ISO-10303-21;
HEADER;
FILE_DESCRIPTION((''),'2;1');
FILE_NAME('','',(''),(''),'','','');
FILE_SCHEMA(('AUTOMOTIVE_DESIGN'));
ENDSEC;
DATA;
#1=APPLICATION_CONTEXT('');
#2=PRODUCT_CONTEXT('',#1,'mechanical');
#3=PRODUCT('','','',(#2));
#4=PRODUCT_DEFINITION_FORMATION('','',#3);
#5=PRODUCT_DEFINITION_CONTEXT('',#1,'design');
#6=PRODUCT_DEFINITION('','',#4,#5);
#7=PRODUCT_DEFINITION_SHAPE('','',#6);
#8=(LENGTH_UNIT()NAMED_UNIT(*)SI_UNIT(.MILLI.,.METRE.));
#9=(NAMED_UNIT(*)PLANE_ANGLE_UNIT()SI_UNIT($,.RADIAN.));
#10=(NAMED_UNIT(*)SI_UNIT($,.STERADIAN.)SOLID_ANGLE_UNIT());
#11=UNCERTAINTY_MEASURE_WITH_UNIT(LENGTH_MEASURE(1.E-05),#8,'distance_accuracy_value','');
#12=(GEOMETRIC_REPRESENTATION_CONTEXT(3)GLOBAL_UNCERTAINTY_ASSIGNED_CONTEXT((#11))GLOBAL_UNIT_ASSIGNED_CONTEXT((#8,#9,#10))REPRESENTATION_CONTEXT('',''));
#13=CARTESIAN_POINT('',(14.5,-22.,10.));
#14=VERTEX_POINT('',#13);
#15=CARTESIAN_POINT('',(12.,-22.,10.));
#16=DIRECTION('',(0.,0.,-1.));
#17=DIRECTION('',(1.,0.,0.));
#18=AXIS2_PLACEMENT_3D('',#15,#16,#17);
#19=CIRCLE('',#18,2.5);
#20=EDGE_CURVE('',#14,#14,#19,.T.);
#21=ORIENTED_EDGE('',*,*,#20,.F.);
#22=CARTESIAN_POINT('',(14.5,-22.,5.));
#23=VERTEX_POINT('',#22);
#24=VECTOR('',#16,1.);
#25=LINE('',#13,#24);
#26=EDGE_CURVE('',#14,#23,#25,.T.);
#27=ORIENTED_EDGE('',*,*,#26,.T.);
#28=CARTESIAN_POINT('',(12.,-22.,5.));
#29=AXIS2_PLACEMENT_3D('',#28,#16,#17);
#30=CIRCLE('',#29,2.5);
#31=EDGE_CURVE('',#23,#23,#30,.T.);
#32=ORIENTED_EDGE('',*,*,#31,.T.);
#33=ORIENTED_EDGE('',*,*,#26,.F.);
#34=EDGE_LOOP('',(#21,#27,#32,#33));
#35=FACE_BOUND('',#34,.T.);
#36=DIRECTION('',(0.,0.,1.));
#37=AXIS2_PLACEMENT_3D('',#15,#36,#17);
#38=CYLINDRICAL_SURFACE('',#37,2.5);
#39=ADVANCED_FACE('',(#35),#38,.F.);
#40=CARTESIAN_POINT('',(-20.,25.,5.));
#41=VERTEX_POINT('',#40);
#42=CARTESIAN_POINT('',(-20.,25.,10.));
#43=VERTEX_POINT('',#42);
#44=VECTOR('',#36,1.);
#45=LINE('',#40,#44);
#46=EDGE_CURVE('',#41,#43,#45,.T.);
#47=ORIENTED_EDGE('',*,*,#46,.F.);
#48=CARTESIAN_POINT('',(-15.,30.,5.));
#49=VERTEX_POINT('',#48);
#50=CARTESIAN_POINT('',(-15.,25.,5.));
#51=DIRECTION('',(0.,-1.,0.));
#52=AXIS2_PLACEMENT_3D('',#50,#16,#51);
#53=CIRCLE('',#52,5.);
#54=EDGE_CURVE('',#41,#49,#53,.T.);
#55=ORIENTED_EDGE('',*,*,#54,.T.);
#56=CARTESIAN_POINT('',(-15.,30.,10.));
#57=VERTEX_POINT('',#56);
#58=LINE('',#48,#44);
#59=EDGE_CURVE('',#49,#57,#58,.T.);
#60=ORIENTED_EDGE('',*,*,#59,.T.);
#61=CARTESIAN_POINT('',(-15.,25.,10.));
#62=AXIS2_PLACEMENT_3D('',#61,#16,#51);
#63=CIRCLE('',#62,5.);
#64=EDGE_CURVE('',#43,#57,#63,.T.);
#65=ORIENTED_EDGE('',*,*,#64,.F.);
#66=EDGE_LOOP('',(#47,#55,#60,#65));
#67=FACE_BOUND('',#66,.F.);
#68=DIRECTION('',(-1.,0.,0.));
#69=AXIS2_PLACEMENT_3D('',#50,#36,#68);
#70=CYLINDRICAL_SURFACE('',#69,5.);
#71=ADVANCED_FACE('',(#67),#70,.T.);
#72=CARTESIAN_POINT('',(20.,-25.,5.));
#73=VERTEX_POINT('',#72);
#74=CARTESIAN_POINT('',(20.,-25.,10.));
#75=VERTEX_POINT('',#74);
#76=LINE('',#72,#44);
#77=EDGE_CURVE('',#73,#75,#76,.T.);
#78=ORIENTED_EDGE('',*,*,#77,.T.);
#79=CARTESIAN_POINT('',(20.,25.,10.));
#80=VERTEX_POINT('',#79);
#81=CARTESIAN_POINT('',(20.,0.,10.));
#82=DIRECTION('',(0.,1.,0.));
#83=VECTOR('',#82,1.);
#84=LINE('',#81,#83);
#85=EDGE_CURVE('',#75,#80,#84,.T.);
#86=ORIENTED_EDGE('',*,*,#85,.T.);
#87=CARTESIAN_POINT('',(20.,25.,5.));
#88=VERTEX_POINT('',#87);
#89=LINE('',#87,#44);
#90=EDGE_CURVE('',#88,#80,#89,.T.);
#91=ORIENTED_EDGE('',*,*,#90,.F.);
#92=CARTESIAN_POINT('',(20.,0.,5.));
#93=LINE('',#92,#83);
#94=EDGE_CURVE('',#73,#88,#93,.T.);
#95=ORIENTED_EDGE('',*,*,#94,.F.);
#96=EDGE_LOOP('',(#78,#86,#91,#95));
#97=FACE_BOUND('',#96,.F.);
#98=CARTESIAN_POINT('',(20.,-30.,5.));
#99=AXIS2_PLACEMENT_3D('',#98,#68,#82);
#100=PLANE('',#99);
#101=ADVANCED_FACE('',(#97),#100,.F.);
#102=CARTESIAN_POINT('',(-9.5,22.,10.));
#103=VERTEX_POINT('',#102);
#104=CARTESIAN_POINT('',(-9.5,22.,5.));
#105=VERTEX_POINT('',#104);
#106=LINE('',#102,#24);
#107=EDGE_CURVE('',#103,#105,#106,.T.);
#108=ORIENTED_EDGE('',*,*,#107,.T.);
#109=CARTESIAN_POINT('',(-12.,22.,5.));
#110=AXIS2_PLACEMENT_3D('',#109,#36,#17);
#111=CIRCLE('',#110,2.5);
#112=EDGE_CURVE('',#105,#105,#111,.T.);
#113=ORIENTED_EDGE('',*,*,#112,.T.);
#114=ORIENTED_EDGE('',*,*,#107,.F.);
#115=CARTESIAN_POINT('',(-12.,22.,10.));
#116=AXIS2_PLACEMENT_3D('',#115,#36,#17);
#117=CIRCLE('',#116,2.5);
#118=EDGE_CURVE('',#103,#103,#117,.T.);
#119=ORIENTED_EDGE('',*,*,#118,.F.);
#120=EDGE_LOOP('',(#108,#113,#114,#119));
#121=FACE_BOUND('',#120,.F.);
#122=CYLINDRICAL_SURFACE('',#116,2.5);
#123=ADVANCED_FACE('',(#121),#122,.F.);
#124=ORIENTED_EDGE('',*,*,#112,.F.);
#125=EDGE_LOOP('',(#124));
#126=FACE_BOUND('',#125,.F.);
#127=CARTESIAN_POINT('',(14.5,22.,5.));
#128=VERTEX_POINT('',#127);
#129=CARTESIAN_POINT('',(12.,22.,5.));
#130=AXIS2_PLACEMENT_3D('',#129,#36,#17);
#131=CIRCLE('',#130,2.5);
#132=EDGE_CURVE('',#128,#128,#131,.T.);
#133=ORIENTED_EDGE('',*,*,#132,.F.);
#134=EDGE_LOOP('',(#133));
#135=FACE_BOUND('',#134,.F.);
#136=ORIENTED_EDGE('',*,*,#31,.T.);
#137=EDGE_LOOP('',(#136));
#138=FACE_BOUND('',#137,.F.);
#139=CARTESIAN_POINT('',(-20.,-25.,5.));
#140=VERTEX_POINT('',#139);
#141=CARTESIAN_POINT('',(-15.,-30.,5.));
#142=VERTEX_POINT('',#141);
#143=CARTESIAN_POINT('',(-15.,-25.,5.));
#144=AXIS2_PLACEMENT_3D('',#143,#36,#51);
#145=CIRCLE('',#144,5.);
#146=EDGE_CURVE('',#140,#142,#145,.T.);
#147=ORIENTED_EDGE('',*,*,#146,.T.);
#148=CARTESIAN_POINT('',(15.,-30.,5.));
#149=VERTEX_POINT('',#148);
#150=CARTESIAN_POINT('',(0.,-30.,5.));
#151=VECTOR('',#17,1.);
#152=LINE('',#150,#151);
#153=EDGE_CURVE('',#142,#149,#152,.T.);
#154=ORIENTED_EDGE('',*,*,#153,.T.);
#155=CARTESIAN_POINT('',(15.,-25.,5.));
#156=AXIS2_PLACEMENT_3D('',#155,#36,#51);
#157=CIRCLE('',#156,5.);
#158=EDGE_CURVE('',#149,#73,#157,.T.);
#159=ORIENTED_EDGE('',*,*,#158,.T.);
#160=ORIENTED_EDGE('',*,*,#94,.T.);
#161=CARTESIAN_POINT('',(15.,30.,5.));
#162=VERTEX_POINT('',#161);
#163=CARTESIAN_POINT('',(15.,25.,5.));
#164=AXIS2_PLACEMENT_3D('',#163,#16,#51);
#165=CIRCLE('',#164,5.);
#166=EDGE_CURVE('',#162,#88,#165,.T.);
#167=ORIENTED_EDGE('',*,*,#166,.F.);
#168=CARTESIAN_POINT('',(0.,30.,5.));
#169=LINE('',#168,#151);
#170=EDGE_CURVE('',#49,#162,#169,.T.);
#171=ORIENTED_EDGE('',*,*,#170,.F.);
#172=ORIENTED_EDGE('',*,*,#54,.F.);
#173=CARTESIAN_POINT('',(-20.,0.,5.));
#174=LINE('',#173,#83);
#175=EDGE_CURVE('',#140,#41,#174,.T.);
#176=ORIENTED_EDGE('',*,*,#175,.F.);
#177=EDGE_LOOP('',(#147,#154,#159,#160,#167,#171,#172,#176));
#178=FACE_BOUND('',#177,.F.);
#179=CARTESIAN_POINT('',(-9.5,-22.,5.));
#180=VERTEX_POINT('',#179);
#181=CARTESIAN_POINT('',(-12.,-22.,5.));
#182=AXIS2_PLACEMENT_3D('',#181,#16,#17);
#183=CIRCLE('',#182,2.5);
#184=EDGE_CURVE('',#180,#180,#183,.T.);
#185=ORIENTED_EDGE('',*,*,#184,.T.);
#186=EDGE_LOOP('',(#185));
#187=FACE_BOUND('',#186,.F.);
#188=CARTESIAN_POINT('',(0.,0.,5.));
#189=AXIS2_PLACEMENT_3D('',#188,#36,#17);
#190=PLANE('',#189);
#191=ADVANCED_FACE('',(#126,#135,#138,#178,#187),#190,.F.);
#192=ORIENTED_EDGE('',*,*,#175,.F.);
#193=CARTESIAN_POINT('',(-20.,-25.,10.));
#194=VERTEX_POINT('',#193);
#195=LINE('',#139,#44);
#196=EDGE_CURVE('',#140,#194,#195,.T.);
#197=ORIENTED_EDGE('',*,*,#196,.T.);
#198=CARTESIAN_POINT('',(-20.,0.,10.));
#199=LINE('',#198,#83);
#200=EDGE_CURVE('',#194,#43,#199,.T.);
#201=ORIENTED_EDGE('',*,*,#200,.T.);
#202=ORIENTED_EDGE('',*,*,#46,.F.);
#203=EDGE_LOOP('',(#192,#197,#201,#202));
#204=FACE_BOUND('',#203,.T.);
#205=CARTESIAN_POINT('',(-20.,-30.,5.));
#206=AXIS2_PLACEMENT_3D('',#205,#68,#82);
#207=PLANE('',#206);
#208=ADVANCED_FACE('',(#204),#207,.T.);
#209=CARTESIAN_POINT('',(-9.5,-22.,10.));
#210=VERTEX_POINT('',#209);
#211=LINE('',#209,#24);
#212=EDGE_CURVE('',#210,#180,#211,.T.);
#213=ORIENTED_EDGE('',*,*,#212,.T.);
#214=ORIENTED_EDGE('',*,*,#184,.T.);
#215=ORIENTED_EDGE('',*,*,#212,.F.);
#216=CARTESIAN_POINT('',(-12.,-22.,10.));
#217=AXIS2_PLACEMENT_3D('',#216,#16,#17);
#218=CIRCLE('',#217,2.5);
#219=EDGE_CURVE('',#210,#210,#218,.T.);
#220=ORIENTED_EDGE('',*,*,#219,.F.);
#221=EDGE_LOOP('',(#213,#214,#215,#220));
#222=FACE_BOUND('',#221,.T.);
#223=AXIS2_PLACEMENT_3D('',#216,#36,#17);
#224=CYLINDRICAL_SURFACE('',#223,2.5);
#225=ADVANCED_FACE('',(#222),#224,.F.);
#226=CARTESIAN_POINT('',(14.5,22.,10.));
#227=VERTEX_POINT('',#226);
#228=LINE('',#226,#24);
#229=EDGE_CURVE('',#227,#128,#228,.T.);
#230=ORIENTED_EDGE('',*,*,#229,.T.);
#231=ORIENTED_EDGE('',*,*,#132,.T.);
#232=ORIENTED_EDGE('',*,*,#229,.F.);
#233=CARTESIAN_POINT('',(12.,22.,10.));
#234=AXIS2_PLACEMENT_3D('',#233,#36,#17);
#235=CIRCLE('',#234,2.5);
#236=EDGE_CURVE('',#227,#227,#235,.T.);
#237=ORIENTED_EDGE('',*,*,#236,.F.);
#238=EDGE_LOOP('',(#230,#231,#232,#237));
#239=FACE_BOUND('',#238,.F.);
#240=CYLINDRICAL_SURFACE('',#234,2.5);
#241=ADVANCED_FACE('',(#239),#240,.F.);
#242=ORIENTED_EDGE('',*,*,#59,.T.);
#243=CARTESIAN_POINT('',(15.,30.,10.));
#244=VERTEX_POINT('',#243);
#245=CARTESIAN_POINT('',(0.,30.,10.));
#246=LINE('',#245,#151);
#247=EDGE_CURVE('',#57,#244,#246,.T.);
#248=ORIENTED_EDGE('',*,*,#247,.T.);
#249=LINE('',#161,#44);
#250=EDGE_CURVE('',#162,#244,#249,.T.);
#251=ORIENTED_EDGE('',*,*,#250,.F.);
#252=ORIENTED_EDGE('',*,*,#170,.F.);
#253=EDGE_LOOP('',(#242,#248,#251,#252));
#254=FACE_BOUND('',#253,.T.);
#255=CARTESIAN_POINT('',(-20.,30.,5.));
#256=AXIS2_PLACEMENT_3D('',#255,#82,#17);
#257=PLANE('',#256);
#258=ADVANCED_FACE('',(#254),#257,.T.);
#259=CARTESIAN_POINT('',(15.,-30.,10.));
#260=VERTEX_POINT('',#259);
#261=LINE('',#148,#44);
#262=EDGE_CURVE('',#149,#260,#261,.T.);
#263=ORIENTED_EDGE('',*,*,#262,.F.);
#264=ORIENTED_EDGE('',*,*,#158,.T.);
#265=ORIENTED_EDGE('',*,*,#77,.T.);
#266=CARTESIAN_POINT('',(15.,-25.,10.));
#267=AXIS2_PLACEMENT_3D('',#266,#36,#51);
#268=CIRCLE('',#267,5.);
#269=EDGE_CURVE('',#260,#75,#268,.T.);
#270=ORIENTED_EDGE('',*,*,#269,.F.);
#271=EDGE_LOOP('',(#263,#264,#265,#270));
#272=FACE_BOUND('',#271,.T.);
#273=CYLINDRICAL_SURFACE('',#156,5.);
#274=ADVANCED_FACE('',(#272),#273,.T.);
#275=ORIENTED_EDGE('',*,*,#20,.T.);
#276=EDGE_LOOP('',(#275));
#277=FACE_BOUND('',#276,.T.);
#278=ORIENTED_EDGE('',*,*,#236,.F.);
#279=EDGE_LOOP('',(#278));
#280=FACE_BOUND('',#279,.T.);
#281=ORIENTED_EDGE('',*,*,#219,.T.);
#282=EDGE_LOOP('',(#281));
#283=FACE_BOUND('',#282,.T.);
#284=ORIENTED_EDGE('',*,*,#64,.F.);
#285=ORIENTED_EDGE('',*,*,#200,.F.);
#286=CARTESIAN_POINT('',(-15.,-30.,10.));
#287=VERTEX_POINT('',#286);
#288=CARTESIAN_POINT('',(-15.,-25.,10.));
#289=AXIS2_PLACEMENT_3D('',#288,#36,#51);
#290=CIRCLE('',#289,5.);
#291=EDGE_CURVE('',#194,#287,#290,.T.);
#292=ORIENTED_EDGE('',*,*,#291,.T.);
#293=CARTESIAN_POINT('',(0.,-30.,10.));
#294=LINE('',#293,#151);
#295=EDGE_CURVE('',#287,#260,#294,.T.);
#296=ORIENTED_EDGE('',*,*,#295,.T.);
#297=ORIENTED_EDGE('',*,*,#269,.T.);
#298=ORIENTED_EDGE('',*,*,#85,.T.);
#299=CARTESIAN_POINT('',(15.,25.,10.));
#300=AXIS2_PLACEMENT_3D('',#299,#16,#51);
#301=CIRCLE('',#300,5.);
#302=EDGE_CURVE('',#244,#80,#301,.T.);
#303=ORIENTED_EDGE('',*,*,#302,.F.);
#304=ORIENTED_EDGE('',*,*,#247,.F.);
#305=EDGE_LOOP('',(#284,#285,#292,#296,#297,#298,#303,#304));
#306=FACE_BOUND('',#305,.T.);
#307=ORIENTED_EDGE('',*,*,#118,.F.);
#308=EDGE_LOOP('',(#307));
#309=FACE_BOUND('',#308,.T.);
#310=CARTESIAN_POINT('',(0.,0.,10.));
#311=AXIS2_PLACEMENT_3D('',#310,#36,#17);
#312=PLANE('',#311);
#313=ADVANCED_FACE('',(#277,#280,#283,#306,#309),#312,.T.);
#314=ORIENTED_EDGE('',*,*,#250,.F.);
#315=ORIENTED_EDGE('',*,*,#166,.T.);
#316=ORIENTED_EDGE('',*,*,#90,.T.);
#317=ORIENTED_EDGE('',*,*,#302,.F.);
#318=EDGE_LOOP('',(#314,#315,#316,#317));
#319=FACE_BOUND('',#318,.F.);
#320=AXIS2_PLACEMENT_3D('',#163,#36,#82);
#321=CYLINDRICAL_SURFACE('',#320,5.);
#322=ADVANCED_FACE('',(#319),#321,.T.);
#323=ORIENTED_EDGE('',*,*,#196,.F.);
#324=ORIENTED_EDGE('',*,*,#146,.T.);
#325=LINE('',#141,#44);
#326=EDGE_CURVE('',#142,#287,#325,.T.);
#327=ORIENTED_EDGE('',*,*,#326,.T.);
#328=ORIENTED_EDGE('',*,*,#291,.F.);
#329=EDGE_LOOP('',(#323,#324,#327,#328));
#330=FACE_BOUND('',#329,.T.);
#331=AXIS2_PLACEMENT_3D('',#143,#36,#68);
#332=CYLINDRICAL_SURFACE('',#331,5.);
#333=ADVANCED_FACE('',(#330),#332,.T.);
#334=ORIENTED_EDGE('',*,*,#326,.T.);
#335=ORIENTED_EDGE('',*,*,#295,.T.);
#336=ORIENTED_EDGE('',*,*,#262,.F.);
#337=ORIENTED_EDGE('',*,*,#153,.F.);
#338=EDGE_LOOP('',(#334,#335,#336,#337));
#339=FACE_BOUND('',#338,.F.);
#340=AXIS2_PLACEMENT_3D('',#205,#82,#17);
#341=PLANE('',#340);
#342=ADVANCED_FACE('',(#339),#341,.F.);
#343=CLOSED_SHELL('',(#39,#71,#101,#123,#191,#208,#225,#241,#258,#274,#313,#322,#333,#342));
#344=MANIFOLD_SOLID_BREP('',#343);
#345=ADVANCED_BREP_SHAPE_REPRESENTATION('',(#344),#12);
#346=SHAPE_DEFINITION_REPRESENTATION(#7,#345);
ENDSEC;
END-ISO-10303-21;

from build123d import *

# Parameters (mm, degrees)
SKETCH011_W     = 40
SKETCH011_H     = 60
PAD003_DEPTH    = 5
SKETCH017_R     = 2.5
POCKET009_DEPTH = 5
FILLET004_R     = 5


with BuildPart() as part:
    # Sketch011 → Pad003 (new body)
    with BuildSketch(Plane.XY):
        Rectangle(SKETCH011_W, SKETCH011_H)
    extrude(amount=PAD003_DEPTH)

    # Sketch017 (on Face6 of Pad003) → Pocket009 (cut)
    with BuildSketch(Plane.XY.offset(5)):
        with Locations((-12, 22)):
            Circle(SKETCH017_R)
        with Locations((12, 22)):
            Circle(SKETCH017_R)
    pocket009 = extrude(amount=-POCKET009_DEPTH, mode=Mode.SUBTRACT)

    # Mirrored001: Pocket009 across XZ
    add(pocket009.mirror(Plane.XZ), mode=Mode.SUBTRACT)

    # Fillet004
    fillet004_edges = [part.edges().sort_by_distance(p)[0] for p in [
        (20, 30, 2.5),
        (-20, 30, 2.5),
        (-20, -30, 2.5),
        (20, -30, 2.5),
    ]]
    fillet(fillet004_edges, radius=FILLET004_R)


with BuildPart() as part_1:
    # Body003 placement: moved
    add(part.part.moved(Location((0, 0, 5))))


solid = part_1.part
